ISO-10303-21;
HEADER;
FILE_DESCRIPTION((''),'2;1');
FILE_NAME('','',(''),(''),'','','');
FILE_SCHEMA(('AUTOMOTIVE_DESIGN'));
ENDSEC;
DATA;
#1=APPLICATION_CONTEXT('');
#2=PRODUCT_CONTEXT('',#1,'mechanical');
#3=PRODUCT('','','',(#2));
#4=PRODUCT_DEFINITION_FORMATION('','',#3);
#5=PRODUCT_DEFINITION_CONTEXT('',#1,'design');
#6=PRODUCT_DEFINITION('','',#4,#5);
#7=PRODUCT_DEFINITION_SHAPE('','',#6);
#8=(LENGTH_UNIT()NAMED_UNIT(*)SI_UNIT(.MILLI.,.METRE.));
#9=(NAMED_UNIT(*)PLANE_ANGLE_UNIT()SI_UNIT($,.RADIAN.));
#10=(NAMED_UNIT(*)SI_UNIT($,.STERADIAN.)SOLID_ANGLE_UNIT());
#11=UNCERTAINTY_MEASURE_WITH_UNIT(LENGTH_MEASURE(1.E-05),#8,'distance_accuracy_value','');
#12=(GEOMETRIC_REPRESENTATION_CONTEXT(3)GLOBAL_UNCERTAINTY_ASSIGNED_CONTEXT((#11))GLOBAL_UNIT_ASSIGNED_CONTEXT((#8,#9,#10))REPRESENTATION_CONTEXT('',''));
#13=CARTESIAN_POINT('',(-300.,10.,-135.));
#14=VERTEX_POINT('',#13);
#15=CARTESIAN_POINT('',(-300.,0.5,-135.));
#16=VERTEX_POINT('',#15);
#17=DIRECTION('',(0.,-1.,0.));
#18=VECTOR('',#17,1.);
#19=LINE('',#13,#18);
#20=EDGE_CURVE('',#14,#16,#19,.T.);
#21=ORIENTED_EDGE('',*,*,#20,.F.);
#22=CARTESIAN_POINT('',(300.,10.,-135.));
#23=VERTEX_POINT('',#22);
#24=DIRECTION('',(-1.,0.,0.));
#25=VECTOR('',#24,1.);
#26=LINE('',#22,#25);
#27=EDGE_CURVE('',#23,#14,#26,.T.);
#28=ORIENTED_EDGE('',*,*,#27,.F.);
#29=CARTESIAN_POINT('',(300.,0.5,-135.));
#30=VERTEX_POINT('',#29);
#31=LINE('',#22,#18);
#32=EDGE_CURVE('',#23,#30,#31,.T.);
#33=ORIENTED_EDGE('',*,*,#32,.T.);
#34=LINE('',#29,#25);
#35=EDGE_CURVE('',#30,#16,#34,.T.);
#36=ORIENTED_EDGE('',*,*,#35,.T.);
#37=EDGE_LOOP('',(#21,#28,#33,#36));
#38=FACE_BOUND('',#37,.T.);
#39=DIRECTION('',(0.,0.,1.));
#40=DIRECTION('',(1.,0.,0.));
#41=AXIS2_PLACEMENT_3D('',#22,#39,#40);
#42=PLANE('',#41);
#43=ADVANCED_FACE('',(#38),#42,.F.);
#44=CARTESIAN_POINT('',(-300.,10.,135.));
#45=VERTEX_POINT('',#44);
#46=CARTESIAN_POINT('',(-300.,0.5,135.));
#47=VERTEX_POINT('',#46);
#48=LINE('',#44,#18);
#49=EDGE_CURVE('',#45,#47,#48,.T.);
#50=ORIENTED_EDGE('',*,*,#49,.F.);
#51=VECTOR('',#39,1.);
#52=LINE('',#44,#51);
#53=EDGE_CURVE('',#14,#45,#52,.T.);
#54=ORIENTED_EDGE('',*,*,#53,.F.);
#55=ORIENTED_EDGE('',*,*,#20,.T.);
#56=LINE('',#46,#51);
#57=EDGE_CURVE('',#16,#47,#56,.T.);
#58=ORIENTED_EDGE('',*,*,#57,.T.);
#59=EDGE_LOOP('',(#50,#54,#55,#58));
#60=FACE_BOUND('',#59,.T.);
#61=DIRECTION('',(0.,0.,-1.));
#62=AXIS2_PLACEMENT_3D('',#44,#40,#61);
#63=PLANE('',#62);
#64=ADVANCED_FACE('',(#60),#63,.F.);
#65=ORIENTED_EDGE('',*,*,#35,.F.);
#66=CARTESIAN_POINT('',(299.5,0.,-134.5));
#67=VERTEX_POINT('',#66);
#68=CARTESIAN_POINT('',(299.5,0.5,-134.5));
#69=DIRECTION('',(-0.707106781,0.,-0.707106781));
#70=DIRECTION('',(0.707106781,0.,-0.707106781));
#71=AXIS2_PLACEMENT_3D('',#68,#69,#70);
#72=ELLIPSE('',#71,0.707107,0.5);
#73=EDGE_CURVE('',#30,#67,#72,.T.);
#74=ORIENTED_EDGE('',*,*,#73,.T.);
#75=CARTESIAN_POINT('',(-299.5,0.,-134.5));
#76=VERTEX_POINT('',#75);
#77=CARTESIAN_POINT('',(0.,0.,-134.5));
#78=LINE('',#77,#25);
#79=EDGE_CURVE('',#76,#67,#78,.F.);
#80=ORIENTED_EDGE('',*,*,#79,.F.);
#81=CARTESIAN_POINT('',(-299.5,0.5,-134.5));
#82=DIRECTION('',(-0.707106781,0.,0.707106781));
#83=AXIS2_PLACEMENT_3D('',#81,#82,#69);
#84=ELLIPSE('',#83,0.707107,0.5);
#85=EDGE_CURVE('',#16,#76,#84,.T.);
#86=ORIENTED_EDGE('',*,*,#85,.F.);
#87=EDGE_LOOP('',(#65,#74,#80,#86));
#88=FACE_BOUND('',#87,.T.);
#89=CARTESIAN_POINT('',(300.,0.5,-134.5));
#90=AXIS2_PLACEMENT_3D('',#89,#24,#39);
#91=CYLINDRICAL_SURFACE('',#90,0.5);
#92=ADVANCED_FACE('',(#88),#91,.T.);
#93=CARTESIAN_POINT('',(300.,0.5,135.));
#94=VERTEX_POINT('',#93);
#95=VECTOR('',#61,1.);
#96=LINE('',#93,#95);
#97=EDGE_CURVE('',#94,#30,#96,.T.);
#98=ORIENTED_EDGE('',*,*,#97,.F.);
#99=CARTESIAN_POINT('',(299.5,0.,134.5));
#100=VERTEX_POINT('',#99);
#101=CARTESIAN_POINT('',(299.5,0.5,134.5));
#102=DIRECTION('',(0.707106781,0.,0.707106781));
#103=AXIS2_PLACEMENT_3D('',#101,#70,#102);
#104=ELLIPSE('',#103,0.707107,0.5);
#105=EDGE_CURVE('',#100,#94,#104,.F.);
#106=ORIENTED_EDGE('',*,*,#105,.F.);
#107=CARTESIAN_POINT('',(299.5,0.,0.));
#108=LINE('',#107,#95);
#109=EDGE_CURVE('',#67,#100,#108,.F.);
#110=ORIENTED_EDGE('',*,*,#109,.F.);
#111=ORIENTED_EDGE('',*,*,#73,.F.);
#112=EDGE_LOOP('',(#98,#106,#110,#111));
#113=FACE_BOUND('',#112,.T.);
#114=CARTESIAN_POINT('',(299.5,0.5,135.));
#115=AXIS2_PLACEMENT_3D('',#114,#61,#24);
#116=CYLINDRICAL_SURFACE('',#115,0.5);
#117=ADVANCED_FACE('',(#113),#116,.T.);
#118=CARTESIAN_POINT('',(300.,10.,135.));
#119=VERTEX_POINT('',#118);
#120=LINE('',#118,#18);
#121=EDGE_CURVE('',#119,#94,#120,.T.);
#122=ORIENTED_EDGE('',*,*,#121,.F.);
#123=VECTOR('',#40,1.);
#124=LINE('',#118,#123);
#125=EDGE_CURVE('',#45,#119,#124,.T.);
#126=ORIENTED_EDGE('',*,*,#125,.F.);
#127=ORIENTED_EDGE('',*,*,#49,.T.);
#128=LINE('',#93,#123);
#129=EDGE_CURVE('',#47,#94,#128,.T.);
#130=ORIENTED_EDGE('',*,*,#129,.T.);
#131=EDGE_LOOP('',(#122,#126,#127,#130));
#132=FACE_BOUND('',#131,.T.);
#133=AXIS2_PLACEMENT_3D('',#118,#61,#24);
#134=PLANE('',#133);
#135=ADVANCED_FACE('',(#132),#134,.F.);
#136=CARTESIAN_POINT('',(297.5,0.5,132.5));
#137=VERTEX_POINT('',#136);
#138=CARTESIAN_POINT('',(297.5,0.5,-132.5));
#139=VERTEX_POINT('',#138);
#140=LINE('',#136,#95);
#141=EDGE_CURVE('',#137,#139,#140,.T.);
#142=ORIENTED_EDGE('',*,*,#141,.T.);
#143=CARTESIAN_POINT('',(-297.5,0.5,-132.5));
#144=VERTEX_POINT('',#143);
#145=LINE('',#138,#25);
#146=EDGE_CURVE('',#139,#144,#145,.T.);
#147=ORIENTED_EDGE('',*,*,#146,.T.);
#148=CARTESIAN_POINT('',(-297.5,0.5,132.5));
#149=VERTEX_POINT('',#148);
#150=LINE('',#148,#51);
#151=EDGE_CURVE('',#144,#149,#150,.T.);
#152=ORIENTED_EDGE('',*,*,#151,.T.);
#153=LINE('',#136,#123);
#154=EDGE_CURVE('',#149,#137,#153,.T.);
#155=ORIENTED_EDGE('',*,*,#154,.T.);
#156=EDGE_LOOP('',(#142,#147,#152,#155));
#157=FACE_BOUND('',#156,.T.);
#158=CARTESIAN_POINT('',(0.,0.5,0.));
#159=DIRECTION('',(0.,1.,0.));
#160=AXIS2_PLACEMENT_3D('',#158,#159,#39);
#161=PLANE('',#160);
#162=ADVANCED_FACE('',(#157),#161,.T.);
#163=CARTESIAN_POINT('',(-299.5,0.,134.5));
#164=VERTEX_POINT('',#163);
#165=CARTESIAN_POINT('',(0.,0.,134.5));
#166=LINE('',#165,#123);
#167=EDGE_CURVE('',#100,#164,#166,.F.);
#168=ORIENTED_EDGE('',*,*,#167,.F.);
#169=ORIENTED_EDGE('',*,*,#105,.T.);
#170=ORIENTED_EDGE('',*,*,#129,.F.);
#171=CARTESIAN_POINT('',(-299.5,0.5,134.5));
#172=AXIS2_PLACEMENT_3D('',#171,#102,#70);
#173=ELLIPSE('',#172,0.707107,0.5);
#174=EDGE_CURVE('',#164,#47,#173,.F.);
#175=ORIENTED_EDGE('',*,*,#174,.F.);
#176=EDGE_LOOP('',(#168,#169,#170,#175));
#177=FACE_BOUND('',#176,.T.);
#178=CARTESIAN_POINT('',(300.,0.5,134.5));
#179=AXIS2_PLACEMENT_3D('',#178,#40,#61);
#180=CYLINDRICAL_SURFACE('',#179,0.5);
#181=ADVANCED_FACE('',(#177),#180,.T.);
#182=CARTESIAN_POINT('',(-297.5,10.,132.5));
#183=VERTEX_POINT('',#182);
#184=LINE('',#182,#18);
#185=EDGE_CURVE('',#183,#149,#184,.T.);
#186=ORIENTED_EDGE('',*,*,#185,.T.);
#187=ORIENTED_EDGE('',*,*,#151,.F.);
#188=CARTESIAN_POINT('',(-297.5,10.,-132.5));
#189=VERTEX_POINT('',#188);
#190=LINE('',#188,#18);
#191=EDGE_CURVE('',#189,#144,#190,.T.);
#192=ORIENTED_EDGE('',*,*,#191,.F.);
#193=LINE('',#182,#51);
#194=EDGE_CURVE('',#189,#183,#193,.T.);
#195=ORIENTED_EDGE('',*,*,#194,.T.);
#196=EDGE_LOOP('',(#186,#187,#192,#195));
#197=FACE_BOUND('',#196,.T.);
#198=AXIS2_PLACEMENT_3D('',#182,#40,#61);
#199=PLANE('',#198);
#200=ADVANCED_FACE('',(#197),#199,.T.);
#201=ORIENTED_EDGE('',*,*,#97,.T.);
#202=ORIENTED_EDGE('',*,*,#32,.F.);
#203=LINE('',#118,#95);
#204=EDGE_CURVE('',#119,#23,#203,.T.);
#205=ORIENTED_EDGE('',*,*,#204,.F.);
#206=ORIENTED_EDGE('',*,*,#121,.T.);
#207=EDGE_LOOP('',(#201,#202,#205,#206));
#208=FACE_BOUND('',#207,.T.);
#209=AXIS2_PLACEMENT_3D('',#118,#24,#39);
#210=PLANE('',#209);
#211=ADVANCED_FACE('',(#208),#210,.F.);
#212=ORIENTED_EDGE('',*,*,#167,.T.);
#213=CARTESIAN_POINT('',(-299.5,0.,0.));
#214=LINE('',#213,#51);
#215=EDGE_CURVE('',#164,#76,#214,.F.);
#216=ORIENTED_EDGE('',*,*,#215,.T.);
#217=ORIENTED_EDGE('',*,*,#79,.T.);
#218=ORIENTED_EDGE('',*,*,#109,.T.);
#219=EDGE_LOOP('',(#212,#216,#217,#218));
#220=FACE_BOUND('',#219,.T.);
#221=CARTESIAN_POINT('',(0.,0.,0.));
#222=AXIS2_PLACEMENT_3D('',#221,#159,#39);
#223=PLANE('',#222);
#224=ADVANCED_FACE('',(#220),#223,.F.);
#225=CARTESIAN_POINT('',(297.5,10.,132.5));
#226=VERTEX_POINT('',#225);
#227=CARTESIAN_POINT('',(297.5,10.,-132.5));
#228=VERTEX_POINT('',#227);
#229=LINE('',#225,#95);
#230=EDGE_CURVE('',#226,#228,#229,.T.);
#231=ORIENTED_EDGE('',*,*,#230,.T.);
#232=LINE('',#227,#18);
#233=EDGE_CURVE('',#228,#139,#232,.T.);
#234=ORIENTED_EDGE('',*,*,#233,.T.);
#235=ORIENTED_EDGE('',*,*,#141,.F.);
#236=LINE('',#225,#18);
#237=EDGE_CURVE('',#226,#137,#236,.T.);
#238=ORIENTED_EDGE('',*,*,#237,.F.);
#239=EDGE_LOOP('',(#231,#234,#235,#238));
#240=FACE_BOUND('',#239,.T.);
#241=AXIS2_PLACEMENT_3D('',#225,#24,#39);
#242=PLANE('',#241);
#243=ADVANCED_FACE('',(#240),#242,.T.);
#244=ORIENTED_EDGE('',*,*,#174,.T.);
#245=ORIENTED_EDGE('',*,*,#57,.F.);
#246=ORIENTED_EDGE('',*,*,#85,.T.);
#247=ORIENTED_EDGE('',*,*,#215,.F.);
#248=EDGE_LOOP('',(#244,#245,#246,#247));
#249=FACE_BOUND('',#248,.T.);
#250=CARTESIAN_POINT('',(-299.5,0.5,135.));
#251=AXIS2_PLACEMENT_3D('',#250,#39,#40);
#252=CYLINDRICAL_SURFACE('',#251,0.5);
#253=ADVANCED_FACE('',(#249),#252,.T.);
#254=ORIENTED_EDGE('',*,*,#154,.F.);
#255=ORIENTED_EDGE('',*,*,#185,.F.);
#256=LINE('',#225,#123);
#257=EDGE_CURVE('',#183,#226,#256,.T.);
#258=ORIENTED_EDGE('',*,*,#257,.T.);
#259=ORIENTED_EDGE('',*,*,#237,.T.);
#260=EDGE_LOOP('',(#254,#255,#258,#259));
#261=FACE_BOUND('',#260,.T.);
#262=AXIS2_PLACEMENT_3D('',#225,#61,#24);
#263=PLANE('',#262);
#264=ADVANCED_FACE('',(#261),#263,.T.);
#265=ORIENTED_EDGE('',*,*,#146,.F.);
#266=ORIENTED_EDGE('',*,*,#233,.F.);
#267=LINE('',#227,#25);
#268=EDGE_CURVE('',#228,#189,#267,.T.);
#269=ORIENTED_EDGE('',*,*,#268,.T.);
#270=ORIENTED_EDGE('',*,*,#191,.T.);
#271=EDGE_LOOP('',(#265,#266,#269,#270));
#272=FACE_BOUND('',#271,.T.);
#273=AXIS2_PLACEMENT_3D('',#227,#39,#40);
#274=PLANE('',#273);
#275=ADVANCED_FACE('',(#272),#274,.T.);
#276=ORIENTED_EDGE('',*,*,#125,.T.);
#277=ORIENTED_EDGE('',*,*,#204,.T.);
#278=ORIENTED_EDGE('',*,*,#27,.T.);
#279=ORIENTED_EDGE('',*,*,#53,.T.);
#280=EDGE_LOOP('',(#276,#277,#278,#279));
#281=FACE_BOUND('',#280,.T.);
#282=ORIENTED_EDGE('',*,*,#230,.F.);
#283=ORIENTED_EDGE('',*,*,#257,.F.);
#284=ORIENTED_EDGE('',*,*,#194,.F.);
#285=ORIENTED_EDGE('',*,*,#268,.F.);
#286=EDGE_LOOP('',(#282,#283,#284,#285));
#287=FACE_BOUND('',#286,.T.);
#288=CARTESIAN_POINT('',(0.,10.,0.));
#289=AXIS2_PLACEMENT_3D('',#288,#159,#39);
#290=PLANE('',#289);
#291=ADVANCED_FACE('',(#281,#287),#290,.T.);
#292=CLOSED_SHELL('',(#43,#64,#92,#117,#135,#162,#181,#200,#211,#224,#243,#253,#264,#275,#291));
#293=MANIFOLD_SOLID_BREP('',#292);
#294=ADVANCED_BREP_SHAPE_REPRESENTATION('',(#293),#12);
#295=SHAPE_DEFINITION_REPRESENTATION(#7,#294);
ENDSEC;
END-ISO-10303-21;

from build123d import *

# Parameters (mm, degrees)
SKETCH2_W           = 600
SKETCH2_H           = 270
SKETCH2_W_2         = 595
SKETCH2_H_2         = 265
BOSS_EXTRUDE2_DEPTH = 10
SKETCH3_W           = 595
SKETCH3_H           = 265
BOSS_EXTRUDE3_DEPTH = 0.5
FILLET1_R           = 0.5


with BuildPart() as part:
    # Sketch2 → Boss-Extrude2 (new body)
    with BuildSketch(Plane(origin=(0, 0, 0), x_dir=(1, 0, 0), z_dir=(0, 1, 0))):
        Rectangle(SKETCH2_W, SKETCH2_H)
        Rectangle(SKETCH2_W_2, SKETCH2_H_2, mode=Mode.SUBTRACT)
    extrude(amount=BOSS_EXTRUDE2_DEPTH)

    # Sketch3 → Boss-Extrude3 (add)
    with BuildSketch(Plane(origin=(0, 0, 0), x_dir=(1, 0, 0), z_dir=(0, 1, 0))):
        Rectangle(SKETCH3_W, SKETCH3_H)
    extrude(amount=BOSS_EXTRUDE3_DEPTH)

    # Fillet1
    fillet1_edges = [part.edges().sort_by_distance(p)[0] for p in [
        (0, 0, -135),
        (300, 0, 0),
        (0, 0, 135),
        (-300, 0, 0),
    ]]
    fillet(fillet1_edges, radius=FILLET1_R)


solid = part.part
